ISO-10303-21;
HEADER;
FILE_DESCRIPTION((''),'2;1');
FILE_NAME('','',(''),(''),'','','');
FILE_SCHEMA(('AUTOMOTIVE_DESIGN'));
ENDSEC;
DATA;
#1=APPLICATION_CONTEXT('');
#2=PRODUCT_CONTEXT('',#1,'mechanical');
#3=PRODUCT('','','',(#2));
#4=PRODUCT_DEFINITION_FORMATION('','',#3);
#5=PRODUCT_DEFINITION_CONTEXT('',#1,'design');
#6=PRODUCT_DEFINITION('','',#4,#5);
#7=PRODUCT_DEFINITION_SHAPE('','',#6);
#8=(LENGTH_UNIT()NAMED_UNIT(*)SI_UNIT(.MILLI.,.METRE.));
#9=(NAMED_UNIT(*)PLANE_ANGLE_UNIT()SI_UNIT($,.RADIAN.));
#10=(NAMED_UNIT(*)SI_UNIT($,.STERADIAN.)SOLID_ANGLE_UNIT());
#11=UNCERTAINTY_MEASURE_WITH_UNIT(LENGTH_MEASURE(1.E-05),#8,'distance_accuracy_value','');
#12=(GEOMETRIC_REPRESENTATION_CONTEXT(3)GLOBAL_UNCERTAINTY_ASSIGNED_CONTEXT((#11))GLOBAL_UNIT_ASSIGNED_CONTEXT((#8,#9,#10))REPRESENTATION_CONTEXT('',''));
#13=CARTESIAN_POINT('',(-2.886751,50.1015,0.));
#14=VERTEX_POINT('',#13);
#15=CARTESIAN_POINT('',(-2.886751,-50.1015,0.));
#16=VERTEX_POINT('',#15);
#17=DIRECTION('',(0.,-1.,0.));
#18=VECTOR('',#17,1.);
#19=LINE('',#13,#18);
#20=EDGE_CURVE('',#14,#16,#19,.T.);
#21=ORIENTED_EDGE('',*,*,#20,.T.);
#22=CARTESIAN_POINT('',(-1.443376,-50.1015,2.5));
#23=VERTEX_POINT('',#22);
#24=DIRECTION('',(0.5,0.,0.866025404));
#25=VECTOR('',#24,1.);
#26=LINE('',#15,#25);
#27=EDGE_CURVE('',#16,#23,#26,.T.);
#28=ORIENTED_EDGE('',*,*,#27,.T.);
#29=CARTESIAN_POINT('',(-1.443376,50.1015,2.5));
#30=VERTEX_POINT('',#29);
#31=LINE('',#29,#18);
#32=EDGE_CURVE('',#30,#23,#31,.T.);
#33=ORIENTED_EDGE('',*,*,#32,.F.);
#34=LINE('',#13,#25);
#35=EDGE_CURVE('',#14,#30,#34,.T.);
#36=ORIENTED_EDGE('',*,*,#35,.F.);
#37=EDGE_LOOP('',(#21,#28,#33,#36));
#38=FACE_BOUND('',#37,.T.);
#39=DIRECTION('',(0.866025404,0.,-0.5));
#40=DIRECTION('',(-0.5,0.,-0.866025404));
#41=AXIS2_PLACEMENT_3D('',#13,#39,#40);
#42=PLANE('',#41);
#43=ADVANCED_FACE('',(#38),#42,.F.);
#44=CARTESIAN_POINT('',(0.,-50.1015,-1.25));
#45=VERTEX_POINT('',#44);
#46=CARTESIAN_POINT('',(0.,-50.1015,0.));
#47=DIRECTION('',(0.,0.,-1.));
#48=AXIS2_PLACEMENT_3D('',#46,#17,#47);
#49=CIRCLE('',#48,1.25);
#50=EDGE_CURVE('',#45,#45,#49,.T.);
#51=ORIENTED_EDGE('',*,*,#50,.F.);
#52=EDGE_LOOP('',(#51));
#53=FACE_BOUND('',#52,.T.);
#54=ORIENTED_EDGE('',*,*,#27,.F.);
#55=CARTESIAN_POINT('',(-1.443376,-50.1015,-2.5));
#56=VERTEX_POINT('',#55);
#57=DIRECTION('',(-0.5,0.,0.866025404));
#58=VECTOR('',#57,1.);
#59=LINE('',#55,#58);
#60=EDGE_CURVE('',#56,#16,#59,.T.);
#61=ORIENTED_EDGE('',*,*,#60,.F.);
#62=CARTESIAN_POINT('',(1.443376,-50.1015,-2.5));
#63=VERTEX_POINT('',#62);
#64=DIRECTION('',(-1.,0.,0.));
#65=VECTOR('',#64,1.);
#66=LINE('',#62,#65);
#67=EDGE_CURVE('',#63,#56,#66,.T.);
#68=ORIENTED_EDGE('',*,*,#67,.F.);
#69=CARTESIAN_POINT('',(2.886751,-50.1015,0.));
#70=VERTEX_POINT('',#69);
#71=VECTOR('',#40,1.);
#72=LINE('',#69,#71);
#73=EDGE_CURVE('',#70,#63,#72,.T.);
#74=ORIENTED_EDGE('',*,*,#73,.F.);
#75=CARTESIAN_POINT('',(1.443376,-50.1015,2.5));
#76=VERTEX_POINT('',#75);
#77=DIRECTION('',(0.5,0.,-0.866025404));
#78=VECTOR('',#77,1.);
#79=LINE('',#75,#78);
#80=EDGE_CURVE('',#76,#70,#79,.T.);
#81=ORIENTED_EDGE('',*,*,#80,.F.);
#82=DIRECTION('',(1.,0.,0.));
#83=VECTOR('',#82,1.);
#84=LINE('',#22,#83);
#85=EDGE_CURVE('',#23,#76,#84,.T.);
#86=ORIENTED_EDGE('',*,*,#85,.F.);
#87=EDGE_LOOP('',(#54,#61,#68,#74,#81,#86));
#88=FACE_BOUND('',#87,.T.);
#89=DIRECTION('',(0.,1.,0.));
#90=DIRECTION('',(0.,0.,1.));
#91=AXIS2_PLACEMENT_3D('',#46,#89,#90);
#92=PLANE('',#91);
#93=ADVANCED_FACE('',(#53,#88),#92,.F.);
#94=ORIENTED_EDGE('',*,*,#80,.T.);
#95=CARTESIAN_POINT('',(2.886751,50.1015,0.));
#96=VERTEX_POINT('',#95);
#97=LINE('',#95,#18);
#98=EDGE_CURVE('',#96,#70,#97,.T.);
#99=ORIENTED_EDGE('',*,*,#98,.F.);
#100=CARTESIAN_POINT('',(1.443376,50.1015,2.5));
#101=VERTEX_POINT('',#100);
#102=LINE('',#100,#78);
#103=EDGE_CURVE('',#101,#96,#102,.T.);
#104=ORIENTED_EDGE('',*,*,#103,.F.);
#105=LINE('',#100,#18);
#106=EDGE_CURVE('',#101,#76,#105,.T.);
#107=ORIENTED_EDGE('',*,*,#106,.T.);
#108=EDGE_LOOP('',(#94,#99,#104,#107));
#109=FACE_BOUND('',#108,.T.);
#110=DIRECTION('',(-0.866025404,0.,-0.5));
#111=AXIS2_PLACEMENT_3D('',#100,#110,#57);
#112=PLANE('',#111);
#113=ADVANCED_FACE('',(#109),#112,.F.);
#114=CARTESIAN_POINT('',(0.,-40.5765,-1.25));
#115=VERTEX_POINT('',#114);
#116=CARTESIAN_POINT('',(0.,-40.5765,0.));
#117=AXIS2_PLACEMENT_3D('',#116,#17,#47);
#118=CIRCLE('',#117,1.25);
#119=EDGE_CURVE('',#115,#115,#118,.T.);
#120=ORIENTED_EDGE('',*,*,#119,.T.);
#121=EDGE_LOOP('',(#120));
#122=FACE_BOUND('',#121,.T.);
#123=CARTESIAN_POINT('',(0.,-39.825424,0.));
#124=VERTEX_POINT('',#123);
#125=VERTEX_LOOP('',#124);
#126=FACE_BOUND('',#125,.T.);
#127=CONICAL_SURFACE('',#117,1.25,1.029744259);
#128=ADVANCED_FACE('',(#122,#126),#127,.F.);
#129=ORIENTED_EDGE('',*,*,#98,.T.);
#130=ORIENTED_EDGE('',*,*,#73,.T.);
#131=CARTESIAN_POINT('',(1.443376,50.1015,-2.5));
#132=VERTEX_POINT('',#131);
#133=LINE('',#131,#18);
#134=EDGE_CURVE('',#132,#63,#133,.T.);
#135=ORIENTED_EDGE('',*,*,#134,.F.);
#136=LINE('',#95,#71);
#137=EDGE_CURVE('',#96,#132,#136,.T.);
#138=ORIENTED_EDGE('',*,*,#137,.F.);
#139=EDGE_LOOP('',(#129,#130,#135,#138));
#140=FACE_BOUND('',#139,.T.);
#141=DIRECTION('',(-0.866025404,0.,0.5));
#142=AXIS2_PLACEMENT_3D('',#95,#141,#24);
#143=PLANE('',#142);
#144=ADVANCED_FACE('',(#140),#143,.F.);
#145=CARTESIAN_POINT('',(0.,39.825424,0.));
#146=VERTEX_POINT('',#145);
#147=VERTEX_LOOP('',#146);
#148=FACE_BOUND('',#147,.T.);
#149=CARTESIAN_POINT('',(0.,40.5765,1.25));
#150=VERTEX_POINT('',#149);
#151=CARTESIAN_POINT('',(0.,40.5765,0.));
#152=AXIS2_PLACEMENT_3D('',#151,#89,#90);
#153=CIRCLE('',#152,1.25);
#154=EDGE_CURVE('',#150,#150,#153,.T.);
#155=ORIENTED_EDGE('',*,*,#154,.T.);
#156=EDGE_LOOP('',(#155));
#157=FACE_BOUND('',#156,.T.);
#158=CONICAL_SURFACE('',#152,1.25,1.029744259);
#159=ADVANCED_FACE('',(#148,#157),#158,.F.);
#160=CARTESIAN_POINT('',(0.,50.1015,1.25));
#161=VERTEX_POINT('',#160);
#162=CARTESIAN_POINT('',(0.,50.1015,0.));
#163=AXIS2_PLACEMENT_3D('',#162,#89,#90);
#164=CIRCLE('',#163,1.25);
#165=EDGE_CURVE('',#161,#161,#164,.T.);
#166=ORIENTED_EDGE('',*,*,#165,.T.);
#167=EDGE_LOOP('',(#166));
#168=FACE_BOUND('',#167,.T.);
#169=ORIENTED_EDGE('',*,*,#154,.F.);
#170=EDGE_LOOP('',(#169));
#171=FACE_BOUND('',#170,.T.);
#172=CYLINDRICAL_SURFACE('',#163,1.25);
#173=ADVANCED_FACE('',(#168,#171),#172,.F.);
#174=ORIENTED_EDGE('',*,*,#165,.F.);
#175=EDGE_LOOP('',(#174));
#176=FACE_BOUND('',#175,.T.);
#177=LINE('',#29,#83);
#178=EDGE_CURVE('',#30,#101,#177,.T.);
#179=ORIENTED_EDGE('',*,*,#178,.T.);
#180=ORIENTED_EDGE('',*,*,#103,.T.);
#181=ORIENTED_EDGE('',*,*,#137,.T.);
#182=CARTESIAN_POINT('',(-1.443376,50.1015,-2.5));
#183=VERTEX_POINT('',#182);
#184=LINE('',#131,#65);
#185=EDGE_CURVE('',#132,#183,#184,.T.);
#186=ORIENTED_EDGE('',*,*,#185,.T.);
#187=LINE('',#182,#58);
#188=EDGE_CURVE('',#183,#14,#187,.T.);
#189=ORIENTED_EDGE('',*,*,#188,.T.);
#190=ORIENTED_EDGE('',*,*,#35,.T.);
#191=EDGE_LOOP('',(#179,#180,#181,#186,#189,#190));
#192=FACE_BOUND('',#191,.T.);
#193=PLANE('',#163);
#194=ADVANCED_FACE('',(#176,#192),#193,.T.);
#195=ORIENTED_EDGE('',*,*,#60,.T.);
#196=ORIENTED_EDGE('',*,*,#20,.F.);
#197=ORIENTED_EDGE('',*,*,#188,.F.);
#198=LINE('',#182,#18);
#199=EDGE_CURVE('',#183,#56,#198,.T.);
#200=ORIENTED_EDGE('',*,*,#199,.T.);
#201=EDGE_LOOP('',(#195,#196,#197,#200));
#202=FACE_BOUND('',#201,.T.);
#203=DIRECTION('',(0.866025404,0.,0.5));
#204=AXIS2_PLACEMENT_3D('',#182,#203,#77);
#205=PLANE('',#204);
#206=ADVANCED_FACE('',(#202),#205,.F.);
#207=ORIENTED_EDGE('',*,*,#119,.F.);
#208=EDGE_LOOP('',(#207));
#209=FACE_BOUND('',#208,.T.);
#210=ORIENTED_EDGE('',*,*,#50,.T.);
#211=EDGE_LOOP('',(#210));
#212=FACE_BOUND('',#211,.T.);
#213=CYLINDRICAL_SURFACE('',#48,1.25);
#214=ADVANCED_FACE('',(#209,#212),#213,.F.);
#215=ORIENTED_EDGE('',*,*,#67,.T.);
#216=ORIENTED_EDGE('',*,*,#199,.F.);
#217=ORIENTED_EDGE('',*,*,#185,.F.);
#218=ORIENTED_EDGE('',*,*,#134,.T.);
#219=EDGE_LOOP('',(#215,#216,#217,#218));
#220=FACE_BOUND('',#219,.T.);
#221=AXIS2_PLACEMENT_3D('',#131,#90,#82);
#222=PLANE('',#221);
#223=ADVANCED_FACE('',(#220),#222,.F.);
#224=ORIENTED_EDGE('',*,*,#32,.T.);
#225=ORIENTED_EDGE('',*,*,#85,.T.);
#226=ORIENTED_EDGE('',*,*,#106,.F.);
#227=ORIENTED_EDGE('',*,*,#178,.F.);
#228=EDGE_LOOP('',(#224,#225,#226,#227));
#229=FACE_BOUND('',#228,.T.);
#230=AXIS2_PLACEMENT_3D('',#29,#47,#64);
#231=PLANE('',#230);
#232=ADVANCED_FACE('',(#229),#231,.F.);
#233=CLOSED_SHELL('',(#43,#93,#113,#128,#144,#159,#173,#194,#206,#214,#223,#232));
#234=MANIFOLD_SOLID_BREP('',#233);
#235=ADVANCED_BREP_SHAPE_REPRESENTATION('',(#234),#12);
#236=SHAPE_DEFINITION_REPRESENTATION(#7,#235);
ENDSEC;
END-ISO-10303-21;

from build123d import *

# Parameters (mm, degrees)
BOSS_EXTRUDE1_DEPTH = 50.1015


with BuildPart() as part:
    # Sketch1 → Boss-Extrude1 (new, symmetric)
    with BuildSketch(Plane(origin=(0, 0, 0), x_dir=(1, 0, 0), z_dir=(0, 1, 0))):
        Polygon((2.886751346, 0), (1.443375673, 2.5), (-1.443375673, 2.5), (-2.886751346, 0), (-1.443375673, -2.5), (1.443375673, -2.5), align=None)
    extrude(amount=BOSS_EXTRUDE1_DEPTH, both=True)

    # Sketch3 → M3x0.5 Tapped Hole1 (revolve, cut)
    with BuildSketch(Plane(origin=(0, 50.1015, 0), x_dir=(0, 0, 1), z_dir=(1, 0, 0))):
        Polygon((0, 0), (0, 10.276075774), (1.25, 9.525), (1.25, 0), align=None)
    m3x0_5_tapped_hole1 = revolve(axis=Axis((0, 56.4515, 0), (0, -1, 0)), mode=Mode.SUBTRACT)

    # Mirror1: M3x0.5 Tapped Hole1 across plane
    add(m3x0_5_tapped_hole1.mirror(Plane.ZX), mode=Mode.SUBTRACT)


solid = part.part
